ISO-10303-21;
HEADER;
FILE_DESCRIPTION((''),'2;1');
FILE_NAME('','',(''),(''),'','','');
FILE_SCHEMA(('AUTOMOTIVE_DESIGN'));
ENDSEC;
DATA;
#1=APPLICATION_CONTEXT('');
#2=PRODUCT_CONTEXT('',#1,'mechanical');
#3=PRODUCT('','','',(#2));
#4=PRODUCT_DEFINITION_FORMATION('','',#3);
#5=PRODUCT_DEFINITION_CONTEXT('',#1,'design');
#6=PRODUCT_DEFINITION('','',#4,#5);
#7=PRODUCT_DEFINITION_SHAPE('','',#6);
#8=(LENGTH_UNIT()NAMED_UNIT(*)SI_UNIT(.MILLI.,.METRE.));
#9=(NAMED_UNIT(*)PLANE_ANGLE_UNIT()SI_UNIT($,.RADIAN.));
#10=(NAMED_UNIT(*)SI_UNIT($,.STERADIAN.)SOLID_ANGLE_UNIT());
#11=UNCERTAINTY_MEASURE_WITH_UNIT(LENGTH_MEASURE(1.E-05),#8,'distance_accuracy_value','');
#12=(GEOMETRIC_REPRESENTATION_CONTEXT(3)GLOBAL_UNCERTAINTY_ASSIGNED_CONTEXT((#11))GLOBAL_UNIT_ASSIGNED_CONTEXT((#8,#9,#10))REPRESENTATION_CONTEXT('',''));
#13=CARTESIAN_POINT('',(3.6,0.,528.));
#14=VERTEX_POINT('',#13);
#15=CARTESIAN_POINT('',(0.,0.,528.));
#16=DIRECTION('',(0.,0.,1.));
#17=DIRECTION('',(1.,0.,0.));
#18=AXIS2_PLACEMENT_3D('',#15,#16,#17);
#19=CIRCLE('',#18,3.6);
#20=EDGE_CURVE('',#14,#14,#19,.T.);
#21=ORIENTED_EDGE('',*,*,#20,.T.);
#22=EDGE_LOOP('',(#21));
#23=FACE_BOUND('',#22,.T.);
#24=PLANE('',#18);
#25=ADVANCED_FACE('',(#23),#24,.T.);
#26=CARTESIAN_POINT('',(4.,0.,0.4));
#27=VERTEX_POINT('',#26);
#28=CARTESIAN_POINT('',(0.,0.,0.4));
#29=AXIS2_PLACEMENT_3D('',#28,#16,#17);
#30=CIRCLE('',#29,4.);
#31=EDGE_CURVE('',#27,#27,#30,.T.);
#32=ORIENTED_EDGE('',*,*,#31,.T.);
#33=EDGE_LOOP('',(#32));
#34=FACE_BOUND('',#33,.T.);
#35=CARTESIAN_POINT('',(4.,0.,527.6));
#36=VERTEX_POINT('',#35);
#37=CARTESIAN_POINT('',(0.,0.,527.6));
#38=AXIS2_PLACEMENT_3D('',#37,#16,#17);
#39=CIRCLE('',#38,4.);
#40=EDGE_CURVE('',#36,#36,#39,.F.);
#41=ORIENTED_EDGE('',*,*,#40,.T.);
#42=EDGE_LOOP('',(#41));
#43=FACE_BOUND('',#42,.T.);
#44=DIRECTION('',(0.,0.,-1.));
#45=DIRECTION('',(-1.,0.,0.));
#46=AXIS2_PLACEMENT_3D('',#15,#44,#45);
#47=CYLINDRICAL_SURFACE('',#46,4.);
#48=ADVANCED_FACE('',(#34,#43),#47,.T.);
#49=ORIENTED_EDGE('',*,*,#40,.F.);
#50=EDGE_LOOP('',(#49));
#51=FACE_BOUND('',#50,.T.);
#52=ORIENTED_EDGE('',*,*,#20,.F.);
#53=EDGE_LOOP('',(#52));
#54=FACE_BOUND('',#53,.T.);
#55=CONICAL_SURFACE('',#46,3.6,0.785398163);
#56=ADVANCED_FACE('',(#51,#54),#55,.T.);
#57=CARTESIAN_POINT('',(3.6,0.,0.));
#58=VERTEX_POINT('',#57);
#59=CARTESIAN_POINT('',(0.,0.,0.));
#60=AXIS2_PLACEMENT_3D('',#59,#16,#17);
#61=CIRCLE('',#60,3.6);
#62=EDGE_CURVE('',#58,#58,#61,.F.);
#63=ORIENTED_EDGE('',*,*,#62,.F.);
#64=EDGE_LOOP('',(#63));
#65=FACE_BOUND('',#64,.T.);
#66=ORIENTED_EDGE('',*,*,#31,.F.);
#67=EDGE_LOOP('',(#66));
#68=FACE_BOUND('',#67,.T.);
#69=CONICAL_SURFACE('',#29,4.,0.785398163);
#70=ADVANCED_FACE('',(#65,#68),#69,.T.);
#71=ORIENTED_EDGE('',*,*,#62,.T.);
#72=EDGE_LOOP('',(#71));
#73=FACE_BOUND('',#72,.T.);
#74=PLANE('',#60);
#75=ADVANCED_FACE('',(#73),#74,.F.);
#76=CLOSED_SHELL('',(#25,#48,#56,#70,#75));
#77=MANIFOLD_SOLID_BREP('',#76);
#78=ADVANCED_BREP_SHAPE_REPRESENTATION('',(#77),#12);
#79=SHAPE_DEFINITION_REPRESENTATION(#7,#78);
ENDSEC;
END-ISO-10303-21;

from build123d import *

# Parameters (mm, degrees)
SKETCH1_R           = 4
BOSS_EXTRUDE1_DEPTH = 528
CHAMFER1_SIZE       = 0.4


with BuildPart() as part:
    # Sketch1 → Boss-Extrude1 (new body)
    with BuildSketch(Plane.XY):
        Circle(SKETCH1_R)
    extrude(amount=BOSS_EXTRUDE1_DEPTH)

    # Chamfer1
    chamfer1_edges = [part.edges().sort_by_distance(p)[0] for p in [
        (-4, 0, 0),
        (-4, 0, 528),
    ]]
    chamfer(chamfer1_edges, length=CHAMFER1_SIZE)


solid = part.part
